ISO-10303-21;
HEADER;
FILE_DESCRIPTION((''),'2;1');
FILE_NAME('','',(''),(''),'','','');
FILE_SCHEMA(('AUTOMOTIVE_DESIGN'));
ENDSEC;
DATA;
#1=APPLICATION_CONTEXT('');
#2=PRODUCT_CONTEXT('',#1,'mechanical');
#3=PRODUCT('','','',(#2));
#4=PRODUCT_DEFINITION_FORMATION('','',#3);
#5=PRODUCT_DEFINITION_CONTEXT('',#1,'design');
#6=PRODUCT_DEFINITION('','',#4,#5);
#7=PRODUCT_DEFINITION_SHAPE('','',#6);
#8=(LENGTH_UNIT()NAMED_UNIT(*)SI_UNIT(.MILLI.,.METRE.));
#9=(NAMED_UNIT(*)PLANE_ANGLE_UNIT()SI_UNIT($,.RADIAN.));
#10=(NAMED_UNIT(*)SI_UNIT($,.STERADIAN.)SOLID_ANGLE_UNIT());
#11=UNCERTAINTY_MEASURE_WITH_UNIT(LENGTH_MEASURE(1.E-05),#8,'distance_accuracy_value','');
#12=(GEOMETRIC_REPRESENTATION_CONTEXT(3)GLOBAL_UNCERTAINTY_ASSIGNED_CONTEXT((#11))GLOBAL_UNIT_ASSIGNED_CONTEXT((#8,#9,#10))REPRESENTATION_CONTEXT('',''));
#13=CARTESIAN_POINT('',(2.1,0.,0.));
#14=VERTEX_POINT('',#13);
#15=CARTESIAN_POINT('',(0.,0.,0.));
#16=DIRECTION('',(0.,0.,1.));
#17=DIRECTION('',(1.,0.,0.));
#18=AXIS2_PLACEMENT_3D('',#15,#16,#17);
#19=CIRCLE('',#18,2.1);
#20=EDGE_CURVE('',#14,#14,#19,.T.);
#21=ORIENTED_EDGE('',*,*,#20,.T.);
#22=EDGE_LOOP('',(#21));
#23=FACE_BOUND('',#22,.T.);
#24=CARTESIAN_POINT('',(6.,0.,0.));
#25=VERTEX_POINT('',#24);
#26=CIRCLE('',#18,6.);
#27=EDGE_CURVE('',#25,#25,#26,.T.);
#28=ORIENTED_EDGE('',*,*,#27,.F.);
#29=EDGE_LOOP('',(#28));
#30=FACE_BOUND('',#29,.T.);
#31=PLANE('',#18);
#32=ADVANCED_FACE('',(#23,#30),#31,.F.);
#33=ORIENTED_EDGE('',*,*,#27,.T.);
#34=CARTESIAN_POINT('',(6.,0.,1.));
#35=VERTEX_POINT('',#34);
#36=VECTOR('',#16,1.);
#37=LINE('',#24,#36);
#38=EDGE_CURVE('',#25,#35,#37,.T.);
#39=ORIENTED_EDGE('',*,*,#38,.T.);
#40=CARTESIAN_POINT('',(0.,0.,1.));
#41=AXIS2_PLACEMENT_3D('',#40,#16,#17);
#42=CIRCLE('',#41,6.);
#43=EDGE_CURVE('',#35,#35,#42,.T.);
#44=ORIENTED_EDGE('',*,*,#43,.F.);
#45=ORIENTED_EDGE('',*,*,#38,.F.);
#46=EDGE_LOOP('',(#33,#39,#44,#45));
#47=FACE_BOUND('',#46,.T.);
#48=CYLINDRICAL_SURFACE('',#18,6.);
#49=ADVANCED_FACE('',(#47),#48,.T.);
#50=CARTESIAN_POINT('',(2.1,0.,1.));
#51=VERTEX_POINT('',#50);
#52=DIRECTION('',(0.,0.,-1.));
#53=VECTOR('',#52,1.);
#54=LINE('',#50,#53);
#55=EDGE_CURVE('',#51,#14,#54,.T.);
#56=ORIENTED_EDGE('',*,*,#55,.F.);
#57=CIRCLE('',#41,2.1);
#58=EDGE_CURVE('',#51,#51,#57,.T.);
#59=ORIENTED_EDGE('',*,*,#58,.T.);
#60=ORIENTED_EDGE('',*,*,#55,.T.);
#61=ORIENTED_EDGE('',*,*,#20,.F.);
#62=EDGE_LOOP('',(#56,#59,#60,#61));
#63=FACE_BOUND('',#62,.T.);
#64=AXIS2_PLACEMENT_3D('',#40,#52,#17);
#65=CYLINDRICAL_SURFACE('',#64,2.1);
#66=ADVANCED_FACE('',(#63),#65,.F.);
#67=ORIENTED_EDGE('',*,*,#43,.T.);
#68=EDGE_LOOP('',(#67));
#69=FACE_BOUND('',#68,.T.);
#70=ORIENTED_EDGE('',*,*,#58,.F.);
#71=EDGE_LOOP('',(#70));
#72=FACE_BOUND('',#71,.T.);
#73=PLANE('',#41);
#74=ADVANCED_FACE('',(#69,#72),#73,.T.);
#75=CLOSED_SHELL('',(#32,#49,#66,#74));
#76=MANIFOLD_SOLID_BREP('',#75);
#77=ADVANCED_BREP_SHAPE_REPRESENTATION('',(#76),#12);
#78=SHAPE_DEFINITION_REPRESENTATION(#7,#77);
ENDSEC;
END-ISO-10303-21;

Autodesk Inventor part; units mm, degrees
ref_plane "YZ Plane" through (0, 0, 0) normal (1, 0, 0) x (0, 1, 0)
ref_plane "XZ Plane" through (0, 0, 0) normal (0, 1, 0) x (-1, 0, 0)
ref_plane "XY Plane" through (0, 0, 0) normal (0, 0, 1) x (1, 0, 0)
sketch "Sketch1" plane through (0, 0, 0) normal (0, 1, 0) x (-1, 0, 0)
  line L0 (0, 0) -> (0, 1)
  line L1 (-2.1, 1) -> (-2.1, 0)
  line L2 (-2.1, 0) -> (-6, 0)
  line L3 (-6, 0) -> (-6, 1)
  line L4 (-6, 1) -> (-2.1, 1)
  dimension "InsideDiameter" = 4.2
  dimension "OuterDiameter" = 12
  dimension "Thickness" = 1
revolve "Revolution1" add sketch "Sketch1" angle 360 about axis through (0, 0, 0) along (0, 0, 1)
properties part number "UUW-0412-10H" material "Stainless Steel AISI 304"
